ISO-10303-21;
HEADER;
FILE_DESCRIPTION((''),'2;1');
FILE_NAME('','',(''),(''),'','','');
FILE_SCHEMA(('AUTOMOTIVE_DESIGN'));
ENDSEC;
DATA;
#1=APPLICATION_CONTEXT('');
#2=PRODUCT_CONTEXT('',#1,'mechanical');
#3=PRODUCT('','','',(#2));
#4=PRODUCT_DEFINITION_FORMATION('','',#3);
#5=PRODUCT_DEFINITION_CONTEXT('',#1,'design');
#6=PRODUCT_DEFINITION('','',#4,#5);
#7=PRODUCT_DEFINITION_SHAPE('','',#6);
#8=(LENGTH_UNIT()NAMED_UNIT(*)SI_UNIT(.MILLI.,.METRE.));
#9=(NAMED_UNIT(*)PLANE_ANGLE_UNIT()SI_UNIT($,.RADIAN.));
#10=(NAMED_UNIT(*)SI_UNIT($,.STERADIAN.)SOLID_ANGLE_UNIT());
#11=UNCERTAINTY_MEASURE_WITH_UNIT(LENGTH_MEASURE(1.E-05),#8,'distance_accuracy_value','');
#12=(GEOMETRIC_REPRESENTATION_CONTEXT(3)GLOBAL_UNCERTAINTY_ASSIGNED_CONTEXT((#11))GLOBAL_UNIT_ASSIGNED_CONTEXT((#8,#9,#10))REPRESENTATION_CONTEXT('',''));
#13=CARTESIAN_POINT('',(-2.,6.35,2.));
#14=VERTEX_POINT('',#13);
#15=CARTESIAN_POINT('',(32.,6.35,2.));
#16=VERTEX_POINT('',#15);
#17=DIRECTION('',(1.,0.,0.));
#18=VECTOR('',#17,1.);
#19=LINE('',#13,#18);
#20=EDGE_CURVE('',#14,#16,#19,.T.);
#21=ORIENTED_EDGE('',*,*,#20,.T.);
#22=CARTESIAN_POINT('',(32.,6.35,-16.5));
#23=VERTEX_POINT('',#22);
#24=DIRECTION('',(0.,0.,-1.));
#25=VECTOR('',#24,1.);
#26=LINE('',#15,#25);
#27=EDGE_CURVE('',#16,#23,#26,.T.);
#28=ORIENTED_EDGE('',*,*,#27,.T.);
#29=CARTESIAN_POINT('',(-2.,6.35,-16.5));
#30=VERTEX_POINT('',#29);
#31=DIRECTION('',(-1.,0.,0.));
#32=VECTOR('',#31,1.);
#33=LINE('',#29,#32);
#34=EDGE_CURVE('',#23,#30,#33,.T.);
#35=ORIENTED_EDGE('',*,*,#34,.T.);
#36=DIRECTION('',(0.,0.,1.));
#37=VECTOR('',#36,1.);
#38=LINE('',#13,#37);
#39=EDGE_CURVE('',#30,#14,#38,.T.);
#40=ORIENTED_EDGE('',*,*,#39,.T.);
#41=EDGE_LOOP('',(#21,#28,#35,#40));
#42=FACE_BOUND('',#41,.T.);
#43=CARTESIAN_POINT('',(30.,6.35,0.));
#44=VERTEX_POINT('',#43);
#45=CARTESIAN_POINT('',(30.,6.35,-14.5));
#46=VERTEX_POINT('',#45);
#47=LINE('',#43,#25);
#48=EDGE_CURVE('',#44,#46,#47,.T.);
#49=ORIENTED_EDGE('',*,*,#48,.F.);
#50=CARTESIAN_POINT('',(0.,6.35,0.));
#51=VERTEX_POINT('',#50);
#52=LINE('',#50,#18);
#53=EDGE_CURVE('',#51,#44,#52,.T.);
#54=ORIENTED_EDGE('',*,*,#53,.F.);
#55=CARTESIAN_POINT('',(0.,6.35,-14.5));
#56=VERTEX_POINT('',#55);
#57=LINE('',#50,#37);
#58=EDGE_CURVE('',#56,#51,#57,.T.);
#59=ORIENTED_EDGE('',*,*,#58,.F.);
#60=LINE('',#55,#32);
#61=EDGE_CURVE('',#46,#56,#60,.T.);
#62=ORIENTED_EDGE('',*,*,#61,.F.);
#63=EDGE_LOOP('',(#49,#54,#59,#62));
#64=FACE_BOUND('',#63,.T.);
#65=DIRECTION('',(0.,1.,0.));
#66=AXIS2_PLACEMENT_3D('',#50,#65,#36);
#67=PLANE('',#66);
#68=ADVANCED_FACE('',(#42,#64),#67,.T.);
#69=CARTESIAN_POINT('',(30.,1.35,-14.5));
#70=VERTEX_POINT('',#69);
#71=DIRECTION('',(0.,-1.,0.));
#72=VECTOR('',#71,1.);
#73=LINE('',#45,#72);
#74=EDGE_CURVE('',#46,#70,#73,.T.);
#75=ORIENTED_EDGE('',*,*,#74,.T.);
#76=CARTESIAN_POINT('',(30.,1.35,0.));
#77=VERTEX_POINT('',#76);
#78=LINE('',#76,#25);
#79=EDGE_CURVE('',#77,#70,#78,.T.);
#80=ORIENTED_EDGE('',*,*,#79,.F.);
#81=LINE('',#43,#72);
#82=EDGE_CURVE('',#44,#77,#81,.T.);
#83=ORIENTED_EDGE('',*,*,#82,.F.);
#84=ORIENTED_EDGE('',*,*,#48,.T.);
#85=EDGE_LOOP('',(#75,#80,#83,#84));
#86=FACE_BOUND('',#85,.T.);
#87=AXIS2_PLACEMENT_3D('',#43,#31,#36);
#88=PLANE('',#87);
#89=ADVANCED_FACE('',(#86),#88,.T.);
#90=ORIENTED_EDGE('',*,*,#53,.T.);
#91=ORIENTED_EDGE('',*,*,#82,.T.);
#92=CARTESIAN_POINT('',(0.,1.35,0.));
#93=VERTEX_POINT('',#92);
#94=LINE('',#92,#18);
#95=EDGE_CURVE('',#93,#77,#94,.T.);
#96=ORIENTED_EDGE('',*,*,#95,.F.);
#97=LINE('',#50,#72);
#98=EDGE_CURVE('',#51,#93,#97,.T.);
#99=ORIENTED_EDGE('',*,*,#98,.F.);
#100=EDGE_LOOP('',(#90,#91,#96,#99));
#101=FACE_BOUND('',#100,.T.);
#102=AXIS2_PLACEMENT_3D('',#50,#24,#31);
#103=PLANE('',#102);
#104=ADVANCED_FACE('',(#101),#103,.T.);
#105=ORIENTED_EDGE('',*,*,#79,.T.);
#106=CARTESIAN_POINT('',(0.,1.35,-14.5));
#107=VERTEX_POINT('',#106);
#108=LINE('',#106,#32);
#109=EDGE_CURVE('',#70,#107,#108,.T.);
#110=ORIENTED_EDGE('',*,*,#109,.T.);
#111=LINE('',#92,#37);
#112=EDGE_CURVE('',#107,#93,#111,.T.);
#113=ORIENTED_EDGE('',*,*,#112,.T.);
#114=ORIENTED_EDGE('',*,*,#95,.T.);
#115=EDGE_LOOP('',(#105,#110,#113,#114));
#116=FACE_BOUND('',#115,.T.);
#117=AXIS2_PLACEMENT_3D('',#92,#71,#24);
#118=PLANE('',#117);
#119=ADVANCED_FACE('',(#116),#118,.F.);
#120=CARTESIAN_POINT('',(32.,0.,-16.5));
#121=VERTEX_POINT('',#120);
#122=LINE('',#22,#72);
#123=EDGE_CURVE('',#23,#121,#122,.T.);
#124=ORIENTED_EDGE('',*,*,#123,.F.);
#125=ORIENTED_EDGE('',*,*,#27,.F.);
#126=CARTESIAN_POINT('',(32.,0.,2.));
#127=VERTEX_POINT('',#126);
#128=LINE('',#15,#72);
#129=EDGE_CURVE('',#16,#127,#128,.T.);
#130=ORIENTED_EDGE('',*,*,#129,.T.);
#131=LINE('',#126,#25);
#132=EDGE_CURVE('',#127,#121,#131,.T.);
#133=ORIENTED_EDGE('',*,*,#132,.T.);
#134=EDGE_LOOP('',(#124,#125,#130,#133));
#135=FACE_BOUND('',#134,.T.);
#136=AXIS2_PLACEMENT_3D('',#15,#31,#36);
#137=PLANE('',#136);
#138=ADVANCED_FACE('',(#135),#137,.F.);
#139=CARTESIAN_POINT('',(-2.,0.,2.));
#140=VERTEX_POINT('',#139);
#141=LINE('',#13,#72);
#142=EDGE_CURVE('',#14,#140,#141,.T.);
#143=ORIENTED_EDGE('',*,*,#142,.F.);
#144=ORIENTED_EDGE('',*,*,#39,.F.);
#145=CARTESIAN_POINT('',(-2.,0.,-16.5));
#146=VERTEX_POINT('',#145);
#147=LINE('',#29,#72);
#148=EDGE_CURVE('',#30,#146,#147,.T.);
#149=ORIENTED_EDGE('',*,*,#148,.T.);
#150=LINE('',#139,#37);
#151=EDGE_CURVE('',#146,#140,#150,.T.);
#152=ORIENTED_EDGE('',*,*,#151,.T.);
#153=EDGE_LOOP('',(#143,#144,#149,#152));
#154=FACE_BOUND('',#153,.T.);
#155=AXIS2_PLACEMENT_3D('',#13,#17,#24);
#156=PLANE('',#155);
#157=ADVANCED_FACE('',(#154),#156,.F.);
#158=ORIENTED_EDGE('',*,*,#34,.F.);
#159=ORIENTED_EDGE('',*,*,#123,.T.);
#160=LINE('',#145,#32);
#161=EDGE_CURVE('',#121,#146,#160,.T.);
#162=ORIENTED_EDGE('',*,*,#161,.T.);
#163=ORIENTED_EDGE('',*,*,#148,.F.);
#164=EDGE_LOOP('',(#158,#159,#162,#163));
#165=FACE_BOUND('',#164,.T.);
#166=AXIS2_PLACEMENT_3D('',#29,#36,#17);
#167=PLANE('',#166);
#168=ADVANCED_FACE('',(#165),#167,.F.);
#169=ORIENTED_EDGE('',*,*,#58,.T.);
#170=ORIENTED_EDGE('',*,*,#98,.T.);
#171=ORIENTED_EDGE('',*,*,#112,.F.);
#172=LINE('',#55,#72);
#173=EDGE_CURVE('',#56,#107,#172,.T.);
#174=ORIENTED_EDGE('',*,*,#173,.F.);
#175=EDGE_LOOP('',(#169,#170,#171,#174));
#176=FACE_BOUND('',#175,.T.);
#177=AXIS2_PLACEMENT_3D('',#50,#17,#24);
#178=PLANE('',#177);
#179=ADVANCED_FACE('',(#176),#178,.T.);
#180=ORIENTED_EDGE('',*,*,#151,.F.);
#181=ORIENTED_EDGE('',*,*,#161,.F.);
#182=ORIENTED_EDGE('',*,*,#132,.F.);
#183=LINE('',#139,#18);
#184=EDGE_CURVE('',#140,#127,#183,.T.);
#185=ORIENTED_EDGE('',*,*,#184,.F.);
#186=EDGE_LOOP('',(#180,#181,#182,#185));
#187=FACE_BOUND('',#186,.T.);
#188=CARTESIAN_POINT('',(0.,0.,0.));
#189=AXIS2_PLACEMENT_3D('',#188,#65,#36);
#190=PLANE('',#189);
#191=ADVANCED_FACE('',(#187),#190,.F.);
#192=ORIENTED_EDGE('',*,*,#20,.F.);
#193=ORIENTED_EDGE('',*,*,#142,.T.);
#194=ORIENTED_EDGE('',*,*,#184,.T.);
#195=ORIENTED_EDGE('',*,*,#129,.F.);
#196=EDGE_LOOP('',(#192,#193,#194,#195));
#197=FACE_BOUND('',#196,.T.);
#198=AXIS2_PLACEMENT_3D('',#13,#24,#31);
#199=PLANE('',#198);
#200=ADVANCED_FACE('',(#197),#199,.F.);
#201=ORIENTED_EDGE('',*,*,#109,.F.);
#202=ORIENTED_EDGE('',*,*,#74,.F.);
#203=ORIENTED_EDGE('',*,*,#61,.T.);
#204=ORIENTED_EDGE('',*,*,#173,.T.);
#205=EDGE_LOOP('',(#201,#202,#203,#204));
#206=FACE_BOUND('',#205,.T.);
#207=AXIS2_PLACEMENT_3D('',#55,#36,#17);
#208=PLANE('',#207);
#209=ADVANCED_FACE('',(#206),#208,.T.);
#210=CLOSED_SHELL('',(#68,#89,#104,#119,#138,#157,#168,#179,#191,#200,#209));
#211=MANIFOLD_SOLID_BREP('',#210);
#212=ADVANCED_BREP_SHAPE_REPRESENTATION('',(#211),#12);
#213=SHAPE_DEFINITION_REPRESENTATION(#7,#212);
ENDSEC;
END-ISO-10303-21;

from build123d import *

# Parameters (mm, degrees)
SKETCH1_W           = 34
SKETCH1_H           = 18.5
SKETCH1_W_2         = 30
SKETCH1_H_2         = 14.5
BOSS_EXTRUDE1_DEPTH = 6.35
SKETCH2_W           = 30
SKETCH2_H           = 14.5
BOSS_EXTRUDE3_DEPTH = 1.35


with BuildPart() as part:
    # Sketch1 → Boss-Extrude1 (new body)
    with BuildSketch(Plane(origin=(0, 0, 0), x_dir=(1, 0, 0), z_dir=(0, 1, 0))):
        with Locations((15, 7.25)):
            Rectangle(SKETCH1_W, SKETCH1_H)
        with Locations((15, 7.25)):
            Rectangle(SKETCH1_W_2, SKETCH1_H_2, mode=Mode.SUBTRACT)
    extrude(amount=BOSS_EXTRUDE1_DEPTH)

    # Sketch2 → Boss-Extrude3 (add)
    with BuildSketch(Plane(origin=(0, 0, 0), x_dir=(1, 0, 0), z_dir=(0, 1, 0))):
        with Locations((15, 7.25)):
            Rectangle(SKETCH2_W, SKETCH2_H)
    extrude(amount=BOSS_EXTRUDE3_DEPTH)


solid = part.part
